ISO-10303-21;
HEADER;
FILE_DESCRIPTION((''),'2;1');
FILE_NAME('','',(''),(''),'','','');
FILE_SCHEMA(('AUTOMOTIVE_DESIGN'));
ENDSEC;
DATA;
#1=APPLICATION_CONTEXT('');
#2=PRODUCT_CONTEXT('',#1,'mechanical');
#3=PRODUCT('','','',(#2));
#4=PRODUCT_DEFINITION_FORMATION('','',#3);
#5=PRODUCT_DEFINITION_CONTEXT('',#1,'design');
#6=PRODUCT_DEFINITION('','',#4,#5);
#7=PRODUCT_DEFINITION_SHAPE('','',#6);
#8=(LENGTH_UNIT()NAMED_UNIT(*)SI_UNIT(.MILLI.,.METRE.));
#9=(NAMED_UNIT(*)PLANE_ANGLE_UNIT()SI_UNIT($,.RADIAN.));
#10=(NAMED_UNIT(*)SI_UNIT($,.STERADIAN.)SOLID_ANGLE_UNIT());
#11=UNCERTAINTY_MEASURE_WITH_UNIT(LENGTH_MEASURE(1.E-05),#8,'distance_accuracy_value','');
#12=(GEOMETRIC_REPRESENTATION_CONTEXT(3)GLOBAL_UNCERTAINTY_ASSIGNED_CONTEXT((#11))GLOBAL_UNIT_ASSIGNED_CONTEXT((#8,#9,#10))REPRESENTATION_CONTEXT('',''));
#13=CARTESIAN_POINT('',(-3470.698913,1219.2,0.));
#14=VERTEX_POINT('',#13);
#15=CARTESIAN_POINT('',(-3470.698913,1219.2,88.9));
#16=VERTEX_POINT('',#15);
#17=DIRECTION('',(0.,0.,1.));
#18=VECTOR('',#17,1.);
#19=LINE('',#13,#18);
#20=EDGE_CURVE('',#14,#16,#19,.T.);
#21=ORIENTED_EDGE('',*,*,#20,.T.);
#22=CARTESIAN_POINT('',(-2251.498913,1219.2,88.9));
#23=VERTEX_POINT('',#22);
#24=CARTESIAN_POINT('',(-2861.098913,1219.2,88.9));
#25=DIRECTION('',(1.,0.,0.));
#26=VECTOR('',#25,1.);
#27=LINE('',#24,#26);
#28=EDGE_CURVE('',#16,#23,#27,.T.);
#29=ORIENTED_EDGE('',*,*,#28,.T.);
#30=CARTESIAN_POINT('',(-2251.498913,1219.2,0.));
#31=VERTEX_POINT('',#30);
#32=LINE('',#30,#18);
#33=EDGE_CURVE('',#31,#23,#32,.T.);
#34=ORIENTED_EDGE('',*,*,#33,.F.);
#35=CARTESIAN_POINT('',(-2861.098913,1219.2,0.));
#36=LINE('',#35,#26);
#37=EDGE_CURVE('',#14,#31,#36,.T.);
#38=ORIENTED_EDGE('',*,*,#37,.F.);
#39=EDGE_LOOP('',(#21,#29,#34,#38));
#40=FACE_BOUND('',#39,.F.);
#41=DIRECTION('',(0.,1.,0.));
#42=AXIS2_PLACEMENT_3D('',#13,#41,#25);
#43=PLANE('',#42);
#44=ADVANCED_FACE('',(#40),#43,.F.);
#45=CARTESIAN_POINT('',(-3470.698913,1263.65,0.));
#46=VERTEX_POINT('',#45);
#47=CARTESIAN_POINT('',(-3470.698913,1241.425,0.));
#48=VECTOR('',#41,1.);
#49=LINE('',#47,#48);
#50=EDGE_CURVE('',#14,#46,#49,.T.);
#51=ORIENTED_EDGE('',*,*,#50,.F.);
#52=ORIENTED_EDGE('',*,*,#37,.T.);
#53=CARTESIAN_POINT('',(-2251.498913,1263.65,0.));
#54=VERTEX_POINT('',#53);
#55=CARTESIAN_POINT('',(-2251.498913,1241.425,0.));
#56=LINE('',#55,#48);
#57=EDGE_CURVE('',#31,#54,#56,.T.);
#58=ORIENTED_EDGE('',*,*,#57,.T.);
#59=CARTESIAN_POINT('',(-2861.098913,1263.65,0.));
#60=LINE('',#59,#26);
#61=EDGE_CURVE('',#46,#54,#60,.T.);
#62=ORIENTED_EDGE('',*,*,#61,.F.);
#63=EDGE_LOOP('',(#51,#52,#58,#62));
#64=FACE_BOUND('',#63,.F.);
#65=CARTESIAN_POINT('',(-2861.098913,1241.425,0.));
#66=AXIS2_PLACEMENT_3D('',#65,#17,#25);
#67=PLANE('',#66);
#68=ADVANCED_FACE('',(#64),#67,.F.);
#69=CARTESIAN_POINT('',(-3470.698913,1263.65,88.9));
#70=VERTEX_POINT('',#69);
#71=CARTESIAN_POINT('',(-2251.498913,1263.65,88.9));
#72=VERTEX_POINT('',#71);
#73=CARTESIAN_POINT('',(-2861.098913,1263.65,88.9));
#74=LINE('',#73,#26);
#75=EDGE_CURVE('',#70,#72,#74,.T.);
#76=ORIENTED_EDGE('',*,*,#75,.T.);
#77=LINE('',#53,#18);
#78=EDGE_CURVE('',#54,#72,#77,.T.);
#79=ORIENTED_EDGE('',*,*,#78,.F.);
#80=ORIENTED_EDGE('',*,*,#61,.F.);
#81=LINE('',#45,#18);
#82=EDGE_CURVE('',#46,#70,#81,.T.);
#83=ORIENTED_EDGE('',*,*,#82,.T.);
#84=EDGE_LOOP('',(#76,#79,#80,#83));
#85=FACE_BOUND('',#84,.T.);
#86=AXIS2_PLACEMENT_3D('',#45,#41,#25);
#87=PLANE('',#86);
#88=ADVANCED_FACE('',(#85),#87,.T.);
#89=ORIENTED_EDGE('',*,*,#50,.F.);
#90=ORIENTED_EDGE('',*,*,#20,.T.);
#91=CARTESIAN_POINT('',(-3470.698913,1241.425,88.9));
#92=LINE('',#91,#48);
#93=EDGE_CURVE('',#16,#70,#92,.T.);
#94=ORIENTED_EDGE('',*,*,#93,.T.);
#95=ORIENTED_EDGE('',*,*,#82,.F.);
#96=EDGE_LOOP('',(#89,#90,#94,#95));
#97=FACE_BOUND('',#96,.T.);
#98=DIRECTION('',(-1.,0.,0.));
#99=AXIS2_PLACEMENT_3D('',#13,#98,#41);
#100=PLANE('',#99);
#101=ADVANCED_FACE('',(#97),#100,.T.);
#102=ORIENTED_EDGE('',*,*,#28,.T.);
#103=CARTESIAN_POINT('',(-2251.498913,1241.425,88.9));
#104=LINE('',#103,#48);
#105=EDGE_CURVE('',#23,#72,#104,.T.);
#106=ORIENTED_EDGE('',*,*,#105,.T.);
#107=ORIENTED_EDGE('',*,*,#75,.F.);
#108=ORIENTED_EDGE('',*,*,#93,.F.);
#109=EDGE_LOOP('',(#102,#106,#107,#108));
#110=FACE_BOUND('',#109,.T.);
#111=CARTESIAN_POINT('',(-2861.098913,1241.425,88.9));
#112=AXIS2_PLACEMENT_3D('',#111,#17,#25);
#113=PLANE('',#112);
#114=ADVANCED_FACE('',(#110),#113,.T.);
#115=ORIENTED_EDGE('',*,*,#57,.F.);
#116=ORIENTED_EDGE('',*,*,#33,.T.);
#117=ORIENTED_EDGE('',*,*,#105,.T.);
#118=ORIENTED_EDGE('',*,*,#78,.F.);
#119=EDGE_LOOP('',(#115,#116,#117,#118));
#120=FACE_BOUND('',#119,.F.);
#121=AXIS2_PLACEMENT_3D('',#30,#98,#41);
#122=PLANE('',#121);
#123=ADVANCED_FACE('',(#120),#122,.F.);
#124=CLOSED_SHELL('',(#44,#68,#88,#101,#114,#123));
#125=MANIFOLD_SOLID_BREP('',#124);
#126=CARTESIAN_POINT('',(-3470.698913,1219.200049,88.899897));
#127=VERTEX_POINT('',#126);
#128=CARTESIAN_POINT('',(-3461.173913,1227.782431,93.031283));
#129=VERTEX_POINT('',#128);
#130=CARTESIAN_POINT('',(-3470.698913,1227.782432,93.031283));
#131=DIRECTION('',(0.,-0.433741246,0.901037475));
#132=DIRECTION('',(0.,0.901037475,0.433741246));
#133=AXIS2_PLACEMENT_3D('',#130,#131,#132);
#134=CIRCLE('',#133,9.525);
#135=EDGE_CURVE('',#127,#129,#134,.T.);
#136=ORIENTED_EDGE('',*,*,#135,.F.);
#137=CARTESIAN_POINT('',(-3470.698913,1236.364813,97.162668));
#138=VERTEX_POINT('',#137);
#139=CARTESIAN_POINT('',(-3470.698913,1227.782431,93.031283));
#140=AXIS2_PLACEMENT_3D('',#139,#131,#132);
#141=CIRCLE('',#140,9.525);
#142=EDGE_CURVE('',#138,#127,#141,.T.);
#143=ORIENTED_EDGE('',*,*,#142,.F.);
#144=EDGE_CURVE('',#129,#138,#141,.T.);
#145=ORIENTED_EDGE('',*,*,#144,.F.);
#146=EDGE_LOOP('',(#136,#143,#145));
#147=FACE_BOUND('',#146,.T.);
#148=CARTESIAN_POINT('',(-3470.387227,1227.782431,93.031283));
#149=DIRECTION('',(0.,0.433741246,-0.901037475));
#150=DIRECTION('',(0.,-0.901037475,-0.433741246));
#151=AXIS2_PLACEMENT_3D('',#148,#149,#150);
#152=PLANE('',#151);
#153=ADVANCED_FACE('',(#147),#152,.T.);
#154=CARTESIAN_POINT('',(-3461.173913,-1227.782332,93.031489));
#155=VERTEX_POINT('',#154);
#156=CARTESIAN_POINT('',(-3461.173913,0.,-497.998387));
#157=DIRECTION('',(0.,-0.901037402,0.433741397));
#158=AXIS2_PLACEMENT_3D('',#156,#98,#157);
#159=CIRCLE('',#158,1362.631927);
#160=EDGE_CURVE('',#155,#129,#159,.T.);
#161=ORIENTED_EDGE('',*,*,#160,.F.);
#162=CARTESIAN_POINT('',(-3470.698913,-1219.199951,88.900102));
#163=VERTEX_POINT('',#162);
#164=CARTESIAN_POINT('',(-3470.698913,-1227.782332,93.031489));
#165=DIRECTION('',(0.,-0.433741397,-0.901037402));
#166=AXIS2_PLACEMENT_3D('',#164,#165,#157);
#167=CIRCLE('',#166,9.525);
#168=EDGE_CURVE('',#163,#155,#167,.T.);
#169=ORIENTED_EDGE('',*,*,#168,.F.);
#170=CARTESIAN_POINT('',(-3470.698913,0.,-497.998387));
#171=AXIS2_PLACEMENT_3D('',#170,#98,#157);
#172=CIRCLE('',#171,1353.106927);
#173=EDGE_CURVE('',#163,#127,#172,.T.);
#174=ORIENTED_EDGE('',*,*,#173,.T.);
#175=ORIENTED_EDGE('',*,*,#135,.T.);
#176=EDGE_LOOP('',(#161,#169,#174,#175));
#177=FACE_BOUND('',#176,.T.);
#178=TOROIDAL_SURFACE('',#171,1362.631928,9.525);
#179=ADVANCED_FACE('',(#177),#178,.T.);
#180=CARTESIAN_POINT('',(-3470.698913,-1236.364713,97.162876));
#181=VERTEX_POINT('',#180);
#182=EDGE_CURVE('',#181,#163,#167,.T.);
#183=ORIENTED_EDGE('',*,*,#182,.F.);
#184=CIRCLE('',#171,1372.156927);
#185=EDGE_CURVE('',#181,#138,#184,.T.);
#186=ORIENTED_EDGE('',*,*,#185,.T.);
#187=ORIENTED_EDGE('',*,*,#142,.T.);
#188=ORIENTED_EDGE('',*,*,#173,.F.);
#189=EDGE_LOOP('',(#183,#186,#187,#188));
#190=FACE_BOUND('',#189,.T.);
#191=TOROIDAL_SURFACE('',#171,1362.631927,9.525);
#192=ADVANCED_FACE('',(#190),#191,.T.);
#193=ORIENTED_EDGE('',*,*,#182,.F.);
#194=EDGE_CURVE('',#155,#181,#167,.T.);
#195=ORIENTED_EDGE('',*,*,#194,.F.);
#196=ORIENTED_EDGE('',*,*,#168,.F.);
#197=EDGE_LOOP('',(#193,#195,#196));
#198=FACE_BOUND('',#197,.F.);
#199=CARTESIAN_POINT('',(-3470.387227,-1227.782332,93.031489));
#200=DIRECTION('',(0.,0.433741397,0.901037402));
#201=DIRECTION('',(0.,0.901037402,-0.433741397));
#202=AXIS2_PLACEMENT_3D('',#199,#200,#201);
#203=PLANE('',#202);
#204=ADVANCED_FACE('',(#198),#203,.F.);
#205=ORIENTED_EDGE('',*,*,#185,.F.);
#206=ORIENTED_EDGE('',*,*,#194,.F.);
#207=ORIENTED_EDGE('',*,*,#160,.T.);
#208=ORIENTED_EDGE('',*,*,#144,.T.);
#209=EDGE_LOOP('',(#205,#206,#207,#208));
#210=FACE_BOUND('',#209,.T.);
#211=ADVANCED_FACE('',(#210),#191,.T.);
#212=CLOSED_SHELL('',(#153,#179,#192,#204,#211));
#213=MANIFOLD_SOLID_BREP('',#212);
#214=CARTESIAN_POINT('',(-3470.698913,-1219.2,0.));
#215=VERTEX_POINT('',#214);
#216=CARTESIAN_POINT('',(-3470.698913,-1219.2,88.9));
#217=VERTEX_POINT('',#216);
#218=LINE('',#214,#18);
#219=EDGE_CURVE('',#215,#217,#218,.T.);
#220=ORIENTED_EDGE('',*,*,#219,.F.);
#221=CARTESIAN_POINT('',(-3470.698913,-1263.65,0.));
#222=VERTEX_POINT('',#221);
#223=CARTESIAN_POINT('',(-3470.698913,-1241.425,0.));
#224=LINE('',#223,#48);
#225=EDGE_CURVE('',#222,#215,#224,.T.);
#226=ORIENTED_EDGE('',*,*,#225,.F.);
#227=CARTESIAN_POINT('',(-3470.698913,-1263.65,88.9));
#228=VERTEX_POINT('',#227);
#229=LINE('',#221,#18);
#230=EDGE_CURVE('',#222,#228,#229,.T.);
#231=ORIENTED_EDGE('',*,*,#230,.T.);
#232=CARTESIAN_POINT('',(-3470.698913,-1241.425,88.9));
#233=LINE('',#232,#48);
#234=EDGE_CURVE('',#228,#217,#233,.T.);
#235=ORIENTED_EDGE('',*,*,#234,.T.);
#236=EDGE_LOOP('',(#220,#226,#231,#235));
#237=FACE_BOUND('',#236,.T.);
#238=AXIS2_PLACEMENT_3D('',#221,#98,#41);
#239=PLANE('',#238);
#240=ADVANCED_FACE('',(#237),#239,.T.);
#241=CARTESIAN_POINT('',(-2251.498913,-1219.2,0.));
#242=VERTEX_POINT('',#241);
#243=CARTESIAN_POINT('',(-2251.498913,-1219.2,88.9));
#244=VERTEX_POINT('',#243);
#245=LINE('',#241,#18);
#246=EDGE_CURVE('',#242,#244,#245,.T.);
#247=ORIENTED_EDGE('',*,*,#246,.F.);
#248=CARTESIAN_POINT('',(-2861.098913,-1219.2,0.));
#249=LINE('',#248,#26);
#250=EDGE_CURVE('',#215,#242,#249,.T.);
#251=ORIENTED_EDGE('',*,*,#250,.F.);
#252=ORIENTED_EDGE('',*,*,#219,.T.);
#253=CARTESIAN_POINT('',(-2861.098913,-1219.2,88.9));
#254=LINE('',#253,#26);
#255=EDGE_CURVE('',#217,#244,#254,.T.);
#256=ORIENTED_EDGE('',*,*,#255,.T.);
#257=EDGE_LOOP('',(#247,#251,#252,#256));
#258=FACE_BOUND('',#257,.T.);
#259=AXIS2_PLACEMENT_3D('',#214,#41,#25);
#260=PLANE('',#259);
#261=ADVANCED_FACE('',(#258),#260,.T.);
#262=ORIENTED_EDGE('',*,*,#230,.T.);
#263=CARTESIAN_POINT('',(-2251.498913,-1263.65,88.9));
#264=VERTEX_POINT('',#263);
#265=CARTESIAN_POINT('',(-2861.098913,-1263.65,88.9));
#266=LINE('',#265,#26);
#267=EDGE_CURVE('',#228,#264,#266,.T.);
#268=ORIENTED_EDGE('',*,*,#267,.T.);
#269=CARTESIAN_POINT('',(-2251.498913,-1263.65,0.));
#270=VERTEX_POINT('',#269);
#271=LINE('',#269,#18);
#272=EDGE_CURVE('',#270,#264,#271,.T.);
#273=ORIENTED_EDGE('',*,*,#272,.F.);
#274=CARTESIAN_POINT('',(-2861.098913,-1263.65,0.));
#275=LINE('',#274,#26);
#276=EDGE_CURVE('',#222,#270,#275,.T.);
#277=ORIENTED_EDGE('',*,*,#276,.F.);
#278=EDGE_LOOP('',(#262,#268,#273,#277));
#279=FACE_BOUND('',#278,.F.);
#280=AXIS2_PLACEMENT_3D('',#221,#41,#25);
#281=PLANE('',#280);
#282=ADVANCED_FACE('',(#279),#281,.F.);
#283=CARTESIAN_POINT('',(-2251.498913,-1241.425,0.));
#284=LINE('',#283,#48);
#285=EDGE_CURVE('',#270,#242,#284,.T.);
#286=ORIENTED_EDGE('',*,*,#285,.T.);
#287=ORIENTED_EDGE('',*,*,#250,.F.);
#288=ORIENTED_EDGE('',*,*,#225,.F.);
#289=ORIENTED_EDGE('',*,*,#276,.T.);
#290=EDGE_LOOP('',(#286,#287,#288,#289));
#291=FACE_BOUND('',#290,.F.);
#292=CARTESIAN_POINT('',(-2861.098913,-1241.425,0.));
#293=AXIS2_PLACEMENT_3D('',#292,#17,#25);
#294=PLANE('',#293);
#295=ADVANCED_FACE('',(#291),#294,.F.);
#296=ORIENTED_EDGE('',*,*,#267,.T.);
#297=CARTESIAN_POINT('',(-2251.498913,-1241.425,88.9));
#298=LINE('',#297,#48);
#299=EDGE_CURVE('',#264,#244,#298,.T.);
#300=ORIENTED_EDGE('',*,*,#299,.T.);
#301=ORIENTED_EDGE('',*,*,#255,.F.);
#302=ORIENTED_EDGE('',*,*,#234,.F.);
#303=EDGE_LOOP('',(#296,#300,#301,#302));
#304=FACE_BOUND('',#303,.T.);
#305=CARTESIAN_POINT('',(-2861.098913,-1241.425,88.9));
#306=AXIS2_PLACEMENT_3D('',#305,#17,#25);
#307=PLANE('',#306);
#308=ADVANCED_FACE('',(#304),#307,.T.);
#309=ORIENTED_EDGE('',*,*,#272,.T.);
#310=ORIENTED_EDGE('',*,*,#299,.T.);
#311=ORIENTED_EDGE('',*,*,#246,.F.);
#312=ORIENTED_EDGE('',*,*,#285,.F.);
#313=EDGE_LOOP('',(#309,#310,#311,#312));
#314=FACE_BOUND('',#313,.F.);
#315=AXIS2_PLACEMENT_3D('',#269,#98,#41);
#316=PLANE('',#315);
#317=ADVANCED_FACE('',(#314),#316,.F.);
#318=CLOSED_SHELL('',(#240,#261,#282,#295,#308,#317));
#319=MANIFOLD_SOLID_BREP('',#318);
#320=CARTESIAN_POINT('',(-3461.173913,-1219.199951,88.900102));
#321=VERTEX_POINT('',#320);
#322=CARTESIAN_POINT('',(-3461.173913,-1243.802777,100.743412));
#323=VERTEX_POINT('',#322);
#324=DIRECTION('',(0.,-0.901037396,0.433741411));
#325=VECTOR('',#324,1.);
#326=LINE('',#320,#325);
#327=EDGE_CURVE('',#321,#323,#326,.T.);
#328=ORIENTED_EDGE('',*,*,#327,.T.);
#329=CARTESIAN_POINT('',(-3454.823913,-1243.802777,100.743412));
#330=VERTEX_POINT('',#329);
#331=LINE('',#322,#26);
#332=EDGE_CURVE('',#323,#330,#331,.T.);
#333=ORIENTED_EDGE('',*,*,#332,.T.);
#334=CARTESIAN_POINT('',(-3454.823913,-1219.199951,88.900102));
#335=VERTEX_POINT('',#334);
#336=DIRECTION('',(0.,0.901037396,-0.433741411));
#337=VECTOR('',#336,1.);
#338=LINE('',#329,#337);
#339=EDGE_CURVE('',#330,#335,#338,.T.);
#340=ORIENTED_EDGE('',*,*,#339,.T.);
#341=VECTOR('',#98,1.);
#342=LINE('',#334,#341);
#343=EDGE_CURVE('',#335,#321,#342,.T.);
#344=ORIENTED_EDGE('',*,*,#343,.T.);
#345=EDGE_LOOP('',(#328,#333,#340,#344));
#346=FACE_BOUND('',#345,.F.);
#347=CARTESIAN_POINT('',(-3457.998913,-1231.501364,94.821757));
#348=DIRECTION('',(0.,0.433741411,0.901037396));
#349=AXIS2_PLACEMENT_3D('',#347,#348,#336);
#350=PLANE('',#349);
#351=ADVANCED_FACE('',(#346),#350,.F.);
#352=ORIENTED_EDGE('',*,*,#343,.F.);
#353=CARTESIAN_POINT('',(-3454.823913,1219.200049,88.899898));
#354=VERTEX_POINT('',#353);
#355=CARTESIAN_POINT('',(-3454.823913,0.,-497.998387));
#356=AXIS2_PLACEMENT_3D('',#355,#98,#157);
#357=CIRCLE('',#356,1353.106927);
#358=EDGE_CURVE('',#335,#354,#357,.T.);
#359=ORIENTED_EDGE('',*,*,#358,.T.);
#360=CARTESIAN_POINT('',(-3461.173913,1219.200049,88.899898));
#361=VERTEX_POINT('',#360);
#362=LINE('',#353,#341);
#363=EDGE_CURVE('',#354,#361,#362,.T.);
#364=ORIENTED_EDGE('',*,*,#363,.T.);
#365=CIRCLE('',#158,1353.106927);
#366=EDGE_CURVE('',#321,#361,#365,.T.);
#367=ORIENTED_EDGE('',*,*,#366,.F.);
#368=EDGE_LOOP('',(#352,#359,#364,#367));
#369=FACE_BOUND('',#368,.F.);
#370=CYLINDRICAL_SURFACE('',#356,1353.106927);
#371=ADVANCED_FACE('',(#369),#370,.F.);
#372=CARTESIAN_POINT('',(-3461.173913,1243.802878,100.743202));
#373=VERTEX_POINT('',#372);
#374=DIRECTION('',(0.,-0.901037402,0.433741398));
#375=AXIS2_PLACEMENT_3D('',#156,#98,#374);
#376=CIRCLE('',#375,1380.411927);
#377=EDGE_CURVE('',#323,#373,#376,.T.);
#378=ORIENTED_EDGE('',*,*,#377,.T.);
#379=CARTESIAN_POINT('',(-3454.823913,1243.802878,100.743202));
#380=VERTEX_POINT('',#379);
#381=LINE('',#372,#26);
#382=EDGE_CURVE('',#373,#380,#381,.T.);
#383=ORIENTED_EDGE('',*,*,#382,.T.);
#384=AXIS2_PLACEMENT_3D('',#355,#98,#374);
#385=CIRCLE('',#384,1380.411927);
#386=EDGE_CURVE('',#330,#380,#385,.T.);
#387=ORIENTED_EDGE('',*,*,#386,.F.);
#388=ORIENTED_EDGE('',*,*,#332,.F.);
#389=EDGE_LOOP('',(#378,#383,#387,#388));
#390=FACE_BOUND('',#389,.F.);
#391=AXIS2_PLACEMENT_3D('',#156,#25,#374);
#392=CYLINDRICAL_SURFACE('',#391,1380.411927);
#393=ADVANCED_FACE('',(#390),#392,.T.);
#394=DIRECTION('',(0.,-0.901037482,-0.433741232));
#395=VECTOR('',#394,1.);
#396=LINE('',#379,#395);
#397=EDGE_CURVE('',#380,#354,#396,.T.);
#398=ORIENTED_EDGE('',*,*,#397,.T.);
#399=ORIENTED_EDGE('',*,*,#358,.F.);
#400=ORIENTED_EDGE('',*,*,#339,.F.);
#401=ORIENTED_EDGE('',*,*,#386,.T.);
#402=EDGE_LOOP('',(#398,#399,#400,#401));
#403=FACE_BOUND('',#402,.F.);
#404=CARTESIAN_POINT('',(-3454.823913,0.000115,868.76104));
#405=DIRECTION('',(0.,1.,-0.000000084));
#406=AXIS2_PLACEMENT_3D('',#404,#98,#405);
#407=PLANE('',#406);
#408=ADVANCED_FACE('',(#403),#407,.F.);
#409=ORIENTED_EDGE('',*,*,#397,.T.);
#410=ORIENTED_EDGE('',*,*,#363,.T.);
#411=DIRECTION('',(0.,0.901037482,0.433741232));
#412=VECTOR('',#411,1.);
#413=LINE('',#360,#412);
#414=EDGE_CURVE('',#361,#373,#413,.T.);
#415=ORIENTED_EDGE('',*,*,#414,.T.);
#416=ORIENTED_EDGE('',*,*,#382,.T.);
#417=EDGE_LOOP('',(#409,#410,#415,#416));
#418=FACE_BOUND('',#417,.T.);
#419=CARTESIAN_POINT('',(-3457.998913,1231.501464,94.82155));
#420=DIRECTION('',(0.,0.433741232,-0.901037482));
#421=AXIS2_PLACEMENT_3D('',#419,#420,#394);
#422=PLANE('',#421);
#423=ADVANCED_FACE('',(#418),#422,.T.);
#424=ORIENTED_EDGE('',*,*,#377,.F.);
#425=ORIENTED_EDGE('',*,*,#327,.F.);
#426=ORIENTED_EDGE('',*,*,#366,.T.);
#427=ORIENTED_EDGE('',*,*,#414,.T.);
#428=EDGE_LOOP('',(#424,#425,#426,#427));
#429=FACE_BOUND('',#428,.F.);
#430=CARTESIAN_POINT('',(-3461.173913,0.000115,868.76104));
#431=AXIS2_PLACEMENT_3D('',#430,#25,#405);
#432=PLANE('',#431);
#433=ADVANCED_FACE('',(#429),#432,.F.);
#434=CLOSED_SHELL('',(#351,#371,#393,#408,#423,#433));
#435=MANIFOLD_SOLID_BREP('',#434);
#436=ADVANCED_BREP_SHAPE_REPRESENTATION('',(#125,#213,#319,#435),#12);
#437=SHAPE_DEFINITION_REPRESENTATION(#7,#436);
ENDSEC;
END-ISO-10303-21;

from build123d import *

# Parameters (mm, degrees)
F0_W     = 1219.2
F0_H     = 44.45
F1_DEPTH = 88.9


with BuildPart() as f1:
    # F0 (on Top) → F1 (new body)
    with BuildSketch(Plane.XY):
        with Locations((-2861.098913, 1241.425)):
            Rectangle(F0_W, F0_H)
        with Locations((-2861.098913, -1241.425)):
            Rectangle(F0_W, F0_H)
    extrude(amount=F1_DEPTH)


with BuildPart() as f5:
    # F5: sweep along a path in F2
    with BuildLine(Plane(origin=(-3470.698913, 0, 0), x_dir=(0, -1, 0), z_dir=(-1, 0, 0))) as f5_path:
        ThreePointArc((1236.364763, 97.162772), (0, 874.15854), (-1236.364763, 97.162772))
    # F4 (on face) → F5 (sweep)
    with BuildSketch(Plane(origin=(0, 194.62632, -404.309187), x_dir=(1, 0, 0), z_dir=(0, 0.433741, -0.901037))):
        with BuildLine():
            ThreePointArc((-3470.698913, -1137.104449), (-3480.223913, -1146.629449), (-3470.698913, -1156.154449))
            Line((-3470.698913, -1156.154449), (-3470.698913, -1137.104449))
        make_face()
        with BuildLine():
            Line((-3470.698913, -1137.104449), (-3470.698913, -1156.154449))
            ThreePointArc((-3470.698913, -1156.154449), (-3463.963721, -1153.364641), (-3461.173913, -1146.629449))
            ThreePointArc((-3461.173913, -1146.629449), (-3463.963721, -1139.894257), (-3470.698913, -1137.104449))
        make_face()
    sweep(path=f5_path.line)


with BuildPart() as f8:
    # F8: sweep along a path in F2
    with BuildLine(Plane(origin=(-3470.698913, 0, 0), x_dir=(0, -1, 0), z_dir=(-1, 0, 0))) as f8_path:
        ThreePointArc((1236.364763, 97.162772), (0, 874.15854), (-1236.364763, 97.162772))
    # F7 (on face) → F8 (sweep)
    with BuildSketch(Plane(origin=(0, 194.62632, -404.309187), x_dir=(1, 0, 0), z_dir=(0, 0.433741, -0.901037))):
        Polygon((-3454.823913, -1137.104449), (-3461.173913, -1137.104449), (-3461.173913, -1146.629449), (-3461.173913, -1164.409449), (-3454.823913, -1164.409449), align=None)
    sweep(path=f8_path.line)


solid = Compound([f1.part, f5.part, f8.part])
